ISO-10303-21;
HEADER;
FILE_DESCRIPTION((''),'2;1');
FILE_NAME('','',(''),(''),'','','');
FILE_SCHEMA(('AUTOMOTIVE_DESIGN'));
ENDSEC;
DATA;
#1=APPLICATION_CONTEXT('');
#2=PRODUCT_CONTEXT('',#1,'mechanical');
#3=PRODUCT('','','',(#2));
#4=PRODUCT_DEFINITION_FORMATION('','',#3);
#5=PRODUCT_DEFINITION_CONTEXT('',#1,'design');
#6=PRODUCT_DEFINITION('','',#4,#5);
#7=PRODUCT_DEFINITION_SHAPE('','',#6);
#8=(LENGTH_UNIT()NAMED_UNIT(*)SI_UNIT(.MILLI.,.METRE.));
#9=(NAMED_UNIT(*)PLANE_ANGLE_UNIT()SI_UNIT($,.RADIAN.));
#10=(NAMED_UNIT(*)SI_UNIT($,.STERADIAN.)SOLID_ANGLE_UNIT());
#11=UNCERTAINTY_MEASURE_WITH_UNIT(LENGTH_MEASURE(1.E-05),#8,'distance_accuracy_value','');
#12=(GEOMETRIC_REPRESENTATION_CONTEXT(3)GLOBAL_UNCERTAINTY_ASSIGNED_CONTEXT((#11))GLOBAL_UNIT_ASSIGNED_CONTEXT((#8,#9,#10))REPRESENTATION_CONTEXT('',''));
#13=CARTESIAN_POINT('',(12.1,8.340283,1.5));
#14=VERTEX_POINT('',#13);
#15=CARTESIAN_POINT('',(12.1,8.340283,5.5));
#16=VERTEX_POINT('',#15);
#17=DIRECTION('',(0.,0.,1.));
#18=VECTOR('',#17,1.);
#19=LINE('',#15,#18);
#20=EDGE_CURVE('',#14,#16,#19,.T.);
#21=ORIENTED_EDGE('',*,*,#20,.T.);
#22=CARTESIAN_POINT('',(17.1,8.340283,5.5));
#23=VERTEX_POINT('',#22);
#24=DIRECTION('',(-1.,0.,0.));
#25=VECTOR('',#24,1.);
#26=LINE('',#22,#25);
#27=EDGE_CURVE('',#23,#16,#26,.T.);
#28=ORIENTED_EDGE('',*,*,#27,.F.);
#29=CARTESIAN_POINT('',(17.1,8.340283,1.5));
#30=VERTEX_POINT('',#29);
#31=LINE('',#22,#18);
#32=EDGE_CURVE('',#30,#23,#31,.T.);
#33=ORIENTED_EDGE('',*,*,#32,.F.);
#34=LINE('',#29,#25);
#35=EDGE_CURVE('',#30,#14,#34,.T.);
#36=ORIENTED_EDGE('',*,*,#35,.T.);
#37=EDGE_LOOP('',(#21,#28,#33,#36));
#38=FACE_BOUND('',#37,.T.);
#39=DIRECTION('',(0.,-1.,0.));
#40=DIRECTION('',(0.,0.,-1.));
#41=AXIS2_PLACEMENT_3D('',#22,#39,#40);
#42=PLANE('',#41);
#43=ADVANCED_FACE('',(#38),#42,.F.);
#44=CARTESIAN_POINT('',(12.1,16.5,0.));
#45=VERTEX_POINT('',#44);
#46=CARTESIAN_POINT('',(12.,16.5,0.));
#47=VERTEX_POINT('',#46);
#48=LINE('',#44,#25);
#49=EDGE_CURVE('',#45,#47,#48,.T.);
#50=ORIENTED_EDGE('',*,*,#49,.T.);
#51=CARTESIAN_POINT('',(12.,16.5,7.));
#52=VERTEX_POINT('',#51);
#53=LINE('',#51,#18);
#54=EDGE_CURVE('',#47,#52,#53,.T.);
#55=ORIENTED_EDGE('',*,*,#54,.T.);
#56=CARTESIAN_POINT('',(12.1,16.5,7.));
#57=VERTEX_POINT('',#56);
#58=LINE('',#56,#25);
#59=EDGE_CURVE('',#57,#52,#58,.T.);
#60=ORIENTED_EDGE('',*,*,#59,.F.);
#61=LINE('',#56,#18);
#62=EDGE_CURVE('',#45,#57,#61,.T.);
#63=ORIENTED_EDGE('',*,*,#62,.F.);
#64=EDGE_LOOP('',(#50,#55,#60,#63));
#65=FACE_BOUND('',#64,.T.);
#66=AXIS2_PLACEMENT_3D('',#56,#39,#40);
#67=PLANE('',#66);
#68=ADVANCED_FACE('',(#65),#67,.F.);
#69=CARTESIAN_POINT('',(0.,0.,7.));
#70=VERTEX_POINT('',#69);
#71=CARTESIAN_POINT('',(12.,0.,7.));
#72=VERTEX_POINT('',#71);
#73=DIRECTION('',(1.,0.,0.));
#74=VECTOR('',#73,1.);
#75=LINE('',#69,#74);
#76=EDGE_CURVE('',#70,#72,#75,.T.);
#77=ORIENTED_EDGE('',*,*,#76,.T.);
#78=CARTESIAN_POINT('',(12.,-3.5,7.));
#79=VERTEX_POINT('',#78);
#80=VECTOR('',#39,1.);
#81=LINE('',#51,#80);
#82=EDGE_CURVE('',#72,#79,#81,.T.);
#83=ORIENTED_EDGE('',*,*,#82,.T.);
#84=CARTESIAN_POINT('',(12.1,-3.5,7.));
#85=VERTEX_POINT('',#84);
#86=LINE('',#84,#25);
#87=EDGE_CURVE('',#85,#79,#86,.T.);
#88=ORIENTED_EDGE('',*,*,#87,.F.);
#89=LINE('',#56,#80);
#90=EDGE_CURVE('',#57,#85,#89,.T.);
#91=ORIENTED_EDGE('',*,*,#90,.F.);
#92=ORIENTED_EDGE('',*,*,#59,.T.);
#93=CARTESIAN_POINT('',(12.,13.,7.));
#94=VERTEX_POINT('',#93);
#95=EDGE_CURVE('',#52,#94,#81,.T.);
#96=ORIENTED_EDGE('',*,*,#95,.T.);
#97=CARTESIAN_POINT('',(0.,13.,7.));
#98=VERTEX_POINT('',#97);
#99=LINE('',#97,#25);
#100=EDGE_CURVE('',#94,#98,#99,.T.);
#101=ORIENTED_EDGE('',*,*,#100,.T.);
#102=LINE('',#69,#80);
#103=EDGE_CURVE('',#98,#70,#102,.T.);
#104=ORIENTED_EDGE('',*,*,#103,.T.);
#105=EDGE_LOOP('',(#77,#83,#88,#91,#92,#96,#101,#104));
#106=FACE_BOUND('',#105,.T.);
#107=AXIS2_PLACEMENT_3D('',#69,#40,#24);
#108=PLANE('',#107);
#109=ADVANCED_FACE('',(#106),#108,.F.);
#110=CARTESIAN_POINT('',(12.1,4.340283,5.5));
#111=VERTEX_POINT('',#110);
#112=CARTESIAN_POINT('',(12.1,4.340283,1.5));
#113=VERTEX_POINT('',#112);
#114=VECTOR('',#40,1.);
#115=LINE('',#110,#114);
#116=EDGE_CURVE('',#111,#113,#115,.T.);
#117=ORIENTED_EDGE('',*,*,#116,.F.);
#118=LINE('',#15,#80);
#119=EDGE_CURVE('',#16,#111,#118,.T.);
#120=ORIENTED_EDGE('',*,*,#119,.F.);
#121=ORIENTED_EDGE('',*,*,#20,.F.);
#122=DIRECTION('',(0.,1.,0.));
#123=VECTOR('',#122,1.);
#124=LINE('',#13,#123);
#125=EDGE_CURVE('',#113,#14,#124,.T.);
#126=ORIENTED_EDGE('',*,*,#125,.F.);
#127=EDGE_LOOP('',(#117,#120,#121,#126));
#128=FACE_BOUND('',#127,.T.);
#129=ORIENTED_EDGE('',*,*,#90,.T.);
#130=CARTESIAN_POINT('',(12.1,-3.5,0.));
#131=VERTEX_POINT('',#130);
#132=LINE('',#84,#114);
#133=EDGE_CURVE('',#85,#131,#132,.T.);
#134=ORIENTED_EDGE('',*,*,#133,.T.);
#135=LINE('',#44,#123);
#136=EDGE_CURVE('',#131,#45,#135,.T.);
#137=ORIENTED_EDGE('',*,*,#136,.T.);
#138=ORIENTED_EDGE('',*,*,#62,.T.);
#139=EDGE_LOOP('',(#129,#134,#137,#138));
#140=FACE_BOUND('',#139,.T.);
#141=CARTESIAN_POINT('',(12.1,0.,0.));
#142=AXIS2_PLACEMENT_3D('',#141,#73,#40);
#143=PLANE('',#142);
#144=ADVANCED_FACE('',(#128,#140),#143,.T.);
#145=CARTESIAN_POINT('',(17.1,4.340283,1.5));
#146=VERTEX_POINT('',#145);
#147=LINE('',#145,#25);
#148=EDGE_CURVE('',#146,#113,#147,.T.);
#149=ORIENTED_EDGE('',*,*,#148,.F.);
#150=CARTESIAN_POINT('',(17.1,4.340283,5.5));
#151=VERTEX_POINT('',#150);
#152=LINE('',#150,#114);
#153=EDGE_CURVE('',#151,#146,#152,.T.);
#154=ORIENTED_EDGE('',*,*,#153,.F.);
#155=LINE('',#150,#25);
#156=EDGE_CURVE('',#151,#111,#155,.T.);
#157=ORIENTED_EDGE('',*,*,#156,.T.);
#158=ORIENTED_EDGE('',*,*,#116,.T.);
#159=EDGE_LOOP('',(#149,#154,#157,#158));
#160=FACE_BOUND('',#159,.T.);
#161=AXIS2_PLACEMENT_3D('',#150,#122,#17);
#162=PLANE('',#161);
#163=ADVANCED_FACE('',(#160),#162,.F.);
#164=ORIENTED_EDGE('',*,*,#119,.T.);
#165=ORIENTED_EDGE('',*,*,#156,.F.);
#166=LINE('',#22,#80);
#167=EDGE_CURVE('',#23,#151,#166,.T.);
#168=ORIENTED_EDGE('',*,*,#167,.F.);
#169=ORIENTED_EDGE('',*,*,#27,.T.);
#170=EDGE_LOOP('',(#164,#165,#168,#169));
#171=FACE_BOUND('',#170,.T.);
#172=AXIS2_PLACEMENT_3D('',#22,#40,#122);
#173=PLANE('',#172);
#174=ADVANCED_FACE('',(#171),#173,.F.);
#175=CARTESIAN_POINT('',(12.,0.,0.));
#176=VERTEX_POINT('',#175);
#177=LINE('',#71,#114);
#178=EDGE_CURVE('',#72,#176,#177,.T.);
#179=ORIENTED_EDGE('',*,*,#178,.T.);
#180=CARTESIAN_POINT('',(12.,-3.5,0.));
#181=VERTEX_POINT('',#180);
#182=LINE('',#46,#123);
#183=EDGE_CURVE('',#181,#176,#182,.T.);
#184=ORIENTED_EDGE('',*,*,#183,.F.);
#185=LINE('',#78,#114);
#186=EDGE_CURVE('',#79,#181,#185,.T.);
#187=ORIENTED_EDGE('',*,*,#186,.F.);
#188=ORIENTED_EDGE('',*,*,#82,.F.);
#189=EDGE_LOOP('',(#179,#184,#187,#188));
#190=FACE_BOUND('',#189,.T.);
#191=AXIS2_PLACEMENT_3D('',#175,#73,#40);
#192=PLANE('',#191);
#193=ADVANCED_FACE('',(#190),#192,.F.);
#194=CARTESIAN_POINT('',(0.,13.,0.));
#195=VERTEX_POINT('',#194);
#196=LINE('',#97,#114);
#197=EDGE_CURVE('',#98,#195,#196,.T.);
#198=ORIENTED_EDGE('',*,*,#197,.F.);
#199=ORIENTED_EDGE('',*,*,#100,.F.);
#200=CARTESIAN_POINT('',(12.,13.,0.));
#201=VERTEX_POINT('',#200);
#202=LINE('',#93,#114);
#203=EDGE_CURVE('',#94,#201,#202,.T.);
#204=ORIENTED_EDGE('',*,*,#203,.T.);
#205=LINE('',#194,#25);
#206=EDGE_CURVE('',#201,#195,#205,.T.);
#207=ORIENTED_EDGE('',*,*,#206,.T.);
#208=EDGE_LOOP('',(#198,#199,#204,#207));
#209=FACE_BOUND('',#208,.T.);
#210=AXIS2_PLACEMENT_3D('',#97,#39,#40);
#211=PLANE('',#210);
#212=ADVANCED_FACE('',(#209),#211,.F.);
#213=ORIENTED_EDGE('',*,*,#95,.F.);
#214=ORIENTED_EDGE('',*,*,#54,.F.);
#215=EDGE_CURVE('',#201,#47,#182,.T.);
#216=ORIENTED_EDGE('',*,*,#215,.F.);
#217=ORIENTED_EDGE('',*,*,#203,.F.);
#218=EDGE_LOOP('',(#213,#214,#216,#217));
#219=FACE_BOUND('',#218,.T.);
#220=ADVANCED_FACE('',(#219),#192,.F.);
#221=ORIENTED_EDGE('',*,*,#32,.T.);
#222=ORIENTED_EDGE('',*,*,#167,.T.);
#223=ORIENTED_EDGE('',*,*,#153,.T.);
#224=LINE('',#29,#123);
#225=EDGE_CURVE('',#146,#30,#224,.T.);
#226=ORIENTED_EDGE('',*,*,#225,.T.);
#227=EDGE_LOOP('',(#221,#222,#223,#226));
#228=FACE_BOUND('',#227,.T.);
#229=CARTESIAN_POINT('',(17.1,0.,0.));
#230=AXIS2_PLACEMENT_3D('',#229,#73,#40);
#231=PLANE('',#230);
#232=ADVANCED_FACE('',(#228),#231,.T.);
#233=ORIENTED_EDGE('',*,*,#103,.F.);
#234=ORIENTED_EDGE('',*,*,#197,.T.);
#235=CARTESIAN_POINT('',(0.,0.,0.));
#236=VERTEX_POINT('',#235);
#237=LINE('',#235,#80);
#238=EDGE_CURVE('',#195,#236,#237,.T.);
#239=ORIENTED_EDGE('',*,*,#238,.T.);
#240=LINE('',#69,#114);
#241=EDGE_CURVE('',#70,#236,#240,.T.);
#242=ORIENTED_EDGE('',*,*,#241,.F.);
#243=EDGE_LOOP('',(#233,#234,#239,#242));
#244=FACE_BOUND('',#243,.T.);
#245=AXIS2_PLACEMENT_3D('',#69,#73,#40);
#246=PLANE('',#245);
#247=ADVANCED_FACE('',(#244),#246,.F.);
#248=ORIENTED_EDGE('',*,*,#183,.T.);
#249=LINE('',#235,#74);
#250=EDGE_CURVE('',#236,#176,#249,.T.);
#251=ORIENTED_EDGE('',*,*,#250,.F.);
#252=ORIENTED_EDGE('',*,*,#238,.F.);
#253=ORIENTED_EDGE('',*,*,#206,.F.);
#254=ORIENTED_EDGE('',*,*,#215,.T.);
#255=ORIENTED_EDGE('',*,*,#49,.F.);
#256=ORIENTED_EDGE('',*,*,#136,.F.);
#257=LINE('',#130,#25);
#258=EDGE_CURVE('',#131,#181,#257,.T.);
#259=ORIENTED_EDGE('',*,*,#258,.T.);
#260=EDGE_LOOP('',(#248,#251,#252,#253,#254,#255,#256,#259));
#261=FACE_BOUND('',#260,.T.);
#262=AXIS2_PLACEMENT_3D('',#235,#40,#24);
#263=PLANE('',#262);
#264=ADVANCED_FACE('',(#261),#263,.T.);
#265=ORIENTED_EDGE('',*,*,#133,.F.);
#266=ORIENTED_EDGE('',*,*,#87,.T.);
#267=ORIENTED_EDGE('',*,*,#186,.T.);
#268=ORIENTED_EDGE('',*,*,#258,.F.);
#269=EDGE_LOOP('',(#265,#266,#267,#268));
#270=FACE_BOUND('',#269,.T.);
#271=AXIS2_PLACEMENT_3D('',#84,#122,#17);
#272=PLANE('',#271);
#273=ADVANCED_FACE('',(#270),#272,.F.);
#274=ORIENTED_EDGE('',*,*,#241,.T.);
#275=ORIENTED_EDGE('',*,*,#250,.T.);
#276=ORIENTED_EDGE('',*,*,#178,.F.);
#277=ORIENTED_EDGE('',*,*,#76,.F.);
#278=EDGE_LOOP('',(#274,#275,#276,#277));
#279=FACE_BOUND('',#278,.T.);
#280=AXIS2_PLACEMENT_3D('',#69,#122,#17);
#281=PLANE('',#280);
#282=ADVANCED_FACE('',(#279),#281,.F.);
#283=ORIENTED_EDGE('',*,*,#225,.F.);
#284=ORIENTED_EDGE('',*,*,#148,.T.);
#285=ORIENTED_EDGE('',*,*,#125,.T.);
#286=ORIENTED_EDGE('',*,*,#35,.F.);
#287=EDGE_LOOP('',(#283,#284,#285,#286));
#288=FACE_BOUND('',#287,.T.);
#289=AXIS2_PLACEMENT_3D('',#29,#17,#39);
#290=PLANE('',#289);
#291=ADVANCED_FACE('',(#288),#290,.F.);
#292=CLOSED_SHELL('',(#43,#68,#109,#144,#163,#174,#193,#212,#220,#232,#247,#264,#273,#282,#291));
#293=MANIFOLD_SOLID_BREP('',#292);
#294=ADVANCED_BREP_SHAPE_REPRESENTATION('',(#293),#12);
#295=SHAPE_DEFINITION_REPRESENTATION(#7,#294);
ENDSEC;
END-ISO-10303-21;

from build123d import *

# Parameters (mm, degrees)
SKETCH1_W           = 12
SKETCH1_H           = 13
BOSS_EXTRUDE1_DEPTH = 7
SKETCH3_W           = 7
SKETCH3_H           = 20
BOSS_EXTRUDE2_DEPTH = 0.1
SKETCH4_W           = 4
SKETCH4_H           = 4
BOSS_EXTRUDE3_DEPTH = 5


with BuildPart() as part:
    # Sketch1 → Boss-Extrude1 (new body)
    with BuildSketch(Plane.XY):
        with Locations((6, 6.5)):
            Rectangle(SKETCH1_W, SKETCH1_H)
    extrude(amount=BOSS_EXTRUDE1_DEPTH)

    # Sketch3 → Boss-Extrude2 (add)
    with BuildSketch(Plane(origin=(12, 0, 0), x_dir=(0, 0, -1), z_dir=(1, 0, 0))):
        with Locations((-3.5, 6.5)):
            Rectangle(SKETCH3_W, SKETCH3_H)
    extrude(amount=BOSS_EXTRUDE2_DEPTH)

    # Sketch4 → Boss-Extrude3 (add)
    with BuildSketch(Plane(origin=(12.1, 0, 0), x_dir=(0, 0, -1), z_dir=(1, 0, 0))):
        with Locations((-3.5, 6.340282973)):
            Rectangle(SKETCH4_W, SKETCH4_H)
    extrude(amount=BOSS_EXTRUDE3_DEPTH)


solid = part.part
